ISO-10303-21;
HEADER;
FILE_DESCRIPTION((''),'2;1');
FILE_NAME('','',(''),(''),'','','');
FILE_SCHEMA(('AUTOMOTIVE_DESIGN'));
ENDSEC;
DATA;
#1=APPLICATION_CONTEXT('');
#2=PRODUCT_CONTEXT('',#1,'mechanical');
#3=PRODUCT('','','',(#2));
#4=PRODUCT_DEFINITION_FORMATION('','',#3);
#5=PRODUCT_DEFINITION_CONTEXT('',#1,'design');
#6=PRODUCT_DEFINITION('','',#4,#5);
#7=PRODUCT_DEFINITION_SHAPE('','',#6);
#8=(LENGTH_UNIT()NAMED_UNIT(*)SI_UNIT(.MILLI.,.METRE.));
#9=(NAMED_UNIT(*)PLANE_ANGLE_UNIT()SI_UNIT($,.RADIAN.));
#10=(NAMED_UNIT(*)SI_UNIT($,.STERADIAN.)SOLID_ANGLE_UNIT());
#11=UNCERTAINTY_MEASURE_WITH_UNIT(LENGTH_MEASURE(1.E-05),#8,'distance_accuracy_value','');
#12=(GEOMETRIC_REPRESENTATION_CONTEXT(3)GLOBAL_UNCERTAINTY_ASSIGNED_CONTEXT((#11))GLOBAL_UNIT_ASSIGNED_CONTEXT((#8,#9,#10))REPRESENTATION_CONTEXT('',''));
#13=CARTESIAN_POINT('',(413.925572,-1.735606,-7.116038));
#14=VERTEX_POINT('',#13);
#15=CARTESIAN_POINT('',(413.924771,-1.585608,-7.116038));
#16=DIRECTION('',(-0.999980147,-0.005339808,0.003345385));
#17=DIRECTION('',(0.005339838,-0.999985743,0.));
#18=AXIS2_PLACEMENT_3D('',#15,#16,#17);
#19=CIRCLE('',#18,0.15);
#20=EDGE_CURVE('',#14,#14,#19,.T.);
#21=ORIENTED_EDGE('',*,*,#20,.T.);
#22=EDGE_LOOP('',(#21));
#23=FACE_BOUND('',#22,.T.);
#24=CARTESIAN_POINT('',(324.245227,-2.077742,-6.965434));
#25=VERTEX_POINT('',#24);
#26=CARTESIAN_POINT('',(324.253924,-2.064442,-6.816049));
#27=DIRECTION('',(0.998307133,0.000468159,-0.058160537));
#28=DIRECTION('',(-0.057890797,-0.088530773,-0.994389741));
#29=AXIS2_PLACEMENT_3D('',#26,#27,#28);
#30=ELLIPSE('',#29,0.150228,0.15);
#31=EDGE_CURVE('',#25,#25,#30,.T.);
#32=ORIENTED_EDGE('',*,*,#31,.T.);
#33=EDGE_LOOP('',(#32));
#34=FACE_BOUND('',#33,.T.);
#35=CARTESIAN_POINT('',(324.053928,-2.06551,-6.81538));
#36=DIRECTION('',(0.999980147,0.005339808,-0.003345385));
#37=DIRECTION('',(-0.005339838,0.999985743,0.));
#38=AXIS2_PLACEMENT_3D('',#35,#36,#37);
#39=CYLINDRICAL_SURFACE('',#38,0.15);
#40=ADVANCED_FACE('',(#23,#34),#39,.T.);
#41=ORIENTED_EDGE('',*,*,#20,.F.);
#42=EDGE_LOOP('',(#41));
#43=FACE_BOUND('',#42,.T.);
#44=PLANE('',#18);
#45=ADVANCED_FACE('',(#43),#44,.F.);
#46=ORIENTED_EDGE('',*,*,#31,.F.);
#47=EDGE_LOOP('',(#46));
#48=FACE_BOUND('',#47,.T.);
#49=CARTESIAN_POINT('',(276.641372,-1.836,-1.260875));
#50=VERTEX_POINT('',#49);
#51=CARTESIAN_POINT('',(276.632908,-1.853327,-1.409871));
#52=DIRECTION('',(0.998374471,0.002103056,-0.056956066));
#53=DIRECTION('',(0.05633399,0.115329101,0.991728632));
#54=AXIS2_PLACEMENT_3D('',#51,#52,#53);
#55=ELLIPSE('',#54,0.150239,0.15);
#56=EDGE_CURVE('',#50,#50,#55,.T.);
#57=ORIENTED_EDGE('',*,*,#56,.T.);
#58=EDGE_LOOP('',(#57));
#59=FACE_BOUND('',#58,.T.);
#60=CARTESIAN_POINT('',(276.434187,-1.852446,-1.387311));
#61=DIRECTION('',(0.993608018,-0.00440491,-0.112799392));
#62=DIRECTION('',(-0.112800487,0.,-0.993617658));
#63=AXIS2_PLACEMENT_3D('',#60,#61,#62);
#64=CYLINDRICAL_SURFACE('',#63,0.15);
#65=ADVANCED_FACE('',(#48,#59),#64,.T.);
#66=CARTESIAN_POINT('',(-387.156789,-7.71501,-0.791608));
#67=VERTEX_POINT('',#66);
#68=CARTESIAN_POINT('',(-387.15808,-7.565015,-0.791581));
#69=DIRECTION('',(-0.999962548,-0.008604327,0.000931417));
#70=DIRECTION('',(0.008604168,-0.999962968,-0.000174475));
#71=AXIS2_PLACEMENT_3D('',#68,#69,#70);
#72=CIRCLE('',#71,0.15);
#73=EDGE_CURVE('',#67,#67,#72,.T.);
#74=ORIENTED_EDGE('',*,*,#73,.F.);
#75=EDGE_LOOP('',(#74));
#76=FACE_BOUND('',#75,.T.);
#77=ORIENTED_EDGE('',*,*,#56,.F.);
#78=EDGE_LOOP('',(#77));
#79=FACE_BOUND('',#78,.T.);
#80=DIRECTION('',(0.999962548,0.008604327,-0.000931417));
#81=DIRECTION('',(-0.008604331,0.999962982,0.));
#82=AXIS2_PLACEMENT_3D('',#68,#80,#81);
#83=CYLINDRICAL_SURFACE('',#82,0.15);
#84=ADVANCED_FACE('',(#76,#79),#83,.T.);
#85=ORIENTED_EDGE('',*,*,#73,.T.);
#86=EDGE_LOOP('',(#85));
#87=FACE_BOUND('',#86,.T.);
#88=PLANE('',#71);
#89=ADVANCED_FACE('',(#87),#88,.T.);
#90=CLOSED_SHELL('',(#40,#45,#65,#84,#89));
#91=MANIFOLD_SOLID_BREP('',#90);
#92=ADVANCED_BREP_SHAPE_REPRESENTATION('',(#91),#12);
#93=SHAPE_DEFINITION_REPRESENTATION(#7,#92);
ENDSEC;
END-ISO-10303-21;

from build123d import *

# Parameters (mm, degrees)
SWEEP1_PROFILE_R = 0.15


with BuildPart() as part:
    # Sweep1: sweep along a curve in space
    with BuildLine() as sweep1_path:
        Line((-387.158080085, -7.565015268, -0.791581331), (276.632908472, -1.85332665, -1.409870972))
        Line((324.253923799, -2.06444239, -6.816048745), (276.632908472, -1.85332665, -1.409870972))
        Line((324.253923799, -2.06444239, -6.816048745), (413.924770547, -1.585607768, -7.116038179))
    # Sweep1 profile (on start of the path) → Sweep1 (sweep)
    with BuildSketch(Plane(origin=(-387.158080085, -7.565015268, -0.791581331), x_dir=(-0.008604330702830724, 0.9999629820614143, 0), z_dir=(0.9999625483081791, 0.008604326970536284, -0.0009314174127303236))):
        Circle(SWEEP1_PROFILE_R)
    sweep(path=sweep1_path.line, transition=Transition.RIGHT)


solid = part.part
